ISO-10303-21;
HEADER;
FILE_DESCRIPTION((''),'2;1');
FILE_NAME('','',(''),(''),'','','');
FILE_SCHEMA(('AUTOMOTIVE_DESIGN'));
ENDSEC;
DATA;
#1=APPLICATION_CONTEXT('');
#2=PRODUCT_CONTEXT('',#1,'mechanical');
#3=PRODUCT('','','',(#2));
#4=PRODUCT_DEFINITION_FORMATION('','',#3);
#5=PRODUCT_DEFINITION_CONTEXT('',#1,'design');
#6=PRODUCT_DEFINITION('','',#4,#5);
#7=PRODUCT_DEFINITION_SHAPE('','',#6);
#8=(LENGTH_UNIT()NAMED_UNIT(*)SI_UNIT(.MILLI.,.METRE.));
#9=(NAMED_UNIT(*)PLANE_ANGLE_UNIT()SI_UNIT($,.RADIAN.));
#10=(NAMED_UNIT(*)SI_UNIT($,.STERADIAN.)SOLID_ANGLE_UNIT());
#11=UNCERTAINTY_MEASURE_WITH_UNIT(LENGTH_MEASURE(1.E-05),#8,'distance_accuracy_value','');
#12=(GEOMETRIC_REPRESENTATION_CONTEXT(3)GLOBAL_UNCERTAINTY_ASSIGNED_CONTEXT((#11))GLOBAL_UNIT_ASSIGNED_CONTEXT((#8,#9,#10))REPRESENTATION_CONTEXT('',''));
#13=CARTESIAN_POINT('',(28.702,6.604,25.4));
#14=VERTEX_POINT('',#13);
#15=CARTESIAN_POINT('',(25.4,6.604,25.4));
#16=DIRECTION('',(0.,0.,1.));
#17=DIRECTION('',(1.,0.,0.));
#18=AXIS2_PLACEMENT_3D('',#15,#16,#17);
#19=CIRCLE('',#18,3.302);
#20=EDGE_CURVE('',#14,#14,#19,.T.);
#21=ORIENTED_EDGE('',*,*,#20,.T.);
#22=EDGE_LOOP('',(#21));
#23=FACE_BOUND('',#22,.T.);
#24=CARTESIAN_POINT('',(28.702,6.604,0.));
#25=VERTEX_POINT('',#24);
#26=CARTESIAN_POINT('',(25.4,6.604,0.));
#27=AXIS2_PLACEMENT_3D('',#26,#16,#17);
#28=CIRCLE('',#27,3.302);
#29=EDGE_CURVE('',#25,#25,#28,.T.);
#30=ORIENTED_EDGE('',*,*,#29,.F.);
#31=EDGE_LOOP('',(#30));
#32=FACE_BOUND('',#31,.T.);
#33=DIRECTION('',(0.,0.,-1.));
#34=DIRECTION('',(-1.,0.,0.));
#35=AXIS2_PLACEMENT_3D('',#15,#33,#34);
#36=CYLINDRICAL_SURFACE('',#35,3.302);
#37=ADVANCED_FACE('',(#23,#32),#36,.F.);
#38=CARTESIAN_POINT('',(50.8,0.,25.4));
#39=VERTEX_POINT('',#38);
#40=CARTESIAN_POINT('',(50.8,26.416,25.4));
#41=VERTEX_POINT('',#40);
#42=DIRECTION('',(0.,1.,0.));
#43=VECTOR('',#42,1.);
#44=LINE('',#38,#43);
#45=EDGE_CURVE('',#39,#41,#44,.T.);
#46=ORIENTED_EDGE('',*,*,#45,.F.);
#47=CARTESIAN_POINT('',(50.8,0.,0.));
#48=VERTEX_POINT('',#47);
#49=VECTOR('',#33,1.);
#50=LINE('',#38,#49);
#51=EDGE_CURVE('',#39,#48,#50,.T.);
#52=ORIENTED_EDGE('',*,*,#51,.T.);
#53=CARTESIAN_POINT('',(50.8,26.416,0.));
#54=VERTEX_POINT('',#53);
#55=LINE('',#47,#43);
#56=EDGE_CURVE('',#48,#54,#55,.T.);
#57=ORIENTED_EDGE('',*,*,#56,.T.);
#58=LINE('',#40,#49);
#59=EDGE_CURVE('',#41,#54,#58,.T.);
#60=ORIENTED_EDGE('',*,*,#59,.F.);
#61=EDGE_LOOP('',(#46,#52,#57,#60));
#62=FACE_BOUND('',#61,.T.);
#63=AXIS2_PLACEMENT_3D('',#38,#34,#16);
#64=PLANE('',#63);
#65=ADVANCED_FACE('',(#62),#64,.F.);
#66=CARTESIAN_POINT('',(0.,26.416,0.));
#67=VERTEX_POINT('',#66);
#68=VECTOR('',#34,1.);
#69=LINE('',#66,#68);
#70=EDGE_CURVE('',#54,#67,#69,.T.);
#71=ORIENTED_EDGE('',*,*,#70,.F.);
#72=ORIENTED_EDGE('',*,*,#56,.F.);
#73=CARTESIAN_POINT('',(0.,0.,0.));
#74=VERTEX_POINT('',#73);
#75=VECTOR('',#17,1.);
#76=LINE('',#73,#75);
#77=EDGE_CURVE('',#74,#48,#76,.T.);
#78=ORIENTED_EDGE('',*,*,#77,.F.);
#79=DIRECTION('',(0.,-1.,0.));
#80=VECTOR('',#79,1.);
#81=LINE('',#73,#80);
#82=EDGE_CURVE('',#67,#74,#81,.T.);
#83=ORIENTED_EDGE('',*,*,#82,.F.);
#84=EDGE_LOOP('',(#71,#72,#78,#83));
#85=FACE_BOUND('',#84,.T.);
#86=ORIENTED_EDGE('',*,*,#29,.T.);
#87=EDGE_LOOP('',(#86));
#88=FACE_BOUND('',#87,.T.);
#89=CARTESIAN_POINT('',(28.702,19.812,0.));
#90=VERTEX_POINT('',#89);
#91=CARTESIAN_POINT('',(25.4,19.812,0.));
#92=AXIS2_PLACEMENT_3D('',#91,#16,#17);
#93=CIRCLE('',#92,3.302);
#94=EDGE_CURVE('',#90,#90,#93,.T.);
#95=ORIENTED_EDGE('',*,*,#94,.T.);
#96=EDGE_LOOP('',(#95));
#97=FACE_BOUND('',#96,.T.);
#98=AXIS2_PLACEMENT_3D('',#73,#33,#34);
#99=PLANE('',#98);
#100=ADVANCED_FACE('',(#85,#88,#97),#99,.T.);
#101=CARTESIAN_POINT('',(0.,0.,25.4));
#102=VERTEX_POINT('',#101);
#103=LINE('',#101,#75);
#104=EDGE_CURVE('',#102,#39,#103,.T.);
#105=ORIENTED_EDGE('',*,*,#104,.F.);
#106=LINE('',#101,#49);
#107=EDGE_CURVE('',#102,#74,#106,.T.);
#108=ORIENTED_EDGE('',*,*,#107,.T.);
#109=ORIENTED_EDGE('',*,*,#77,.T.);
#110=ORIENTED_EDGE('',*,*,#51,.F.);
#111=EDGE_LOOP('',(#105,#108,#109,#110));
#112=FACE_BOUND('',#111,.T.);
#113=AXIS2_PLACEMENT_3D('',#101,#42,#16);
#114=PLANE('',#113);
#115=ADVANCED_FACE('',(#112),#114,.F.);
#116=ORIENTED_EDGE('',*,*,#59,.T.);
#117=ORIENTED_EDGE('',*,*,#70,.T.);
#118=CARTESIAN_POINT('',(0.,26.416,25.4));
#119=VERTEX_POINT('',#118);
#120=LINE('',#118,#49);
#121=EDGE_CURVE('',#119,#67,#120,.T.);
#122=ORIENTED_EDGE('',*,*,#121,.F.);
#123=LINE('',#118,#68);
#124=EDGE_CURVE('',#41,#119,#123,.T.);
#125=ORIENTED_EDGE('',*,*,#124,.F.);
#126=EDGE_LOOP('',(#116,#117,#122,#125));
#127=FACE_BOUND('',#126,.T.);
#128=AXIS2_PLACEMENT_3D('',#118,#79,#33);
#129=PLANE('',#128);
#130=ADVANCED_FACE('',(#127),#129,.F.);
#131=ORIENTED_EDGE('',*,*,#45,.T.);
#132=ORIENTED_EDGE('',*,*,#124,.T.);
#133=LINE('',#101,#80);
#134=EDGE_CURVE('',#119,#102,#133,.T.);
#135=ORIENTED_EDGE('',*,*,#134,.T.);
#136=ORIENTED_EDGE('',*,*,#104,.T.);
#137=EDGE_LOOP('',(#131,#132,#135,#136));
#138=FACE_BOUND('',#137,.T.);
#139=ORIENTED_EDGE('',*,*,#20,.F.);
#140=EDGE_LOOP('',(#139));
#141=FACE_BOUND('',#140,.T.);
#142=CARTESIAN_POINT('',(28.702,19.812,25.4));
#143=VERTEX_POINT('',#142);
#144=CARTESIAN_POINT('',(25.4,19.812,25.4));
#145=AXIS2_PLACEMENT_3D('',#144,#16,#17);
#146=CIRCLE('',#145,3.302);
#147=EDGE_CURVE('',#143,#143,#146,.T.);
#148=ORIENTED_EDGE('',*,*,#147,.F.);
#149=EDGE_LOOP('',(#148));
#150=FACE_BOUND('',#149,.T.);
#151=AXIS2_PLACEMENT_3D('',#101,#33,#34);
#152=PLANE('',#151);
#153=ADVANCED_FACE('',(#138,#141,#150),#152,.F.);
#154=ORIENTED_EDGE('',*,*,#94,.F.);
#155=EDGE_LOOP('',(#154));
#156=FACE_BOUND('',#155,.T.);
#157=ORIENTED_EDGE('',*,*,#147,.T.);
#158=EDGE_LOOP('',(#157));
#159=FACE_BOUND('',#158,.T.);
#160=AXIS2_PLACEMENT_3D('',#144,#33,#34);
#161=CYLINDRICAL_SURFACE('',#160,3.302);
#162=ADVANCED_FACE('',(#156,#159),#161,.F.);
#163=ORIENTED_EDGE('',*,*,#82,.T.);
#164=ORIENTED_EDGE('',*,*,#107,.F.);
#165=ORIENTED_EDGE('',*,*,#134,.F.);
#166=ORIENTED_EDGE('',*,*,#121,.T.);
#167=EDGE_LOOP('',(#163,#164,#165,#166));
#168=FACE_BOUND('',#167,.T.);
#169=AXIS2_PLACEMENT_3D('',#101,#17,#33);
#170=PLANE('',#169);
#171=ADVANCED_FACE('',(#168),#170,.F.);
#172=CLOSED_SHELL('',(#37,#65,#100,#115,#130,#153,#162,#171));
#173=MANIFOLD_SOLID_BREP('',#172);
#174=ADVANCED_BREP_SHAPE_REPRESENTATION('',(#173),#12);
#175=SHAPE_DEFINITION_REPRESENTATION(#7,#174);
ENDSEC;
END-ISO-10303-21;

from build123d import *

# Parameters (mm, degrees)
SKETCH1_W           = 50.8
SKETCH1_H           = 26.416
SKETCH1_R           = 3.302
BOSS_EXTRUDE1_DEPTH = 25.4


with BuildPart() as part:
    # Sketch1 → Boss-Extrude1 (new body)
    with BuildSketch(Plane.XY):
        with Locations((25.4, 13.208)):
            Rectangle(SKETCH1_W, SKETCH1_H)
        with Locations((25.4, 19.812)):
            Circle(SKETCH1_R, mode=Mode.SUBTRACT)
        with Locations((25.4, 6.604)):
            Circle(SKETCH1_R, mode=Mode.SUBTRACT)
    extrude(amount=BOSS_EXTRUDE1_DEPTH)


solid = part.part
